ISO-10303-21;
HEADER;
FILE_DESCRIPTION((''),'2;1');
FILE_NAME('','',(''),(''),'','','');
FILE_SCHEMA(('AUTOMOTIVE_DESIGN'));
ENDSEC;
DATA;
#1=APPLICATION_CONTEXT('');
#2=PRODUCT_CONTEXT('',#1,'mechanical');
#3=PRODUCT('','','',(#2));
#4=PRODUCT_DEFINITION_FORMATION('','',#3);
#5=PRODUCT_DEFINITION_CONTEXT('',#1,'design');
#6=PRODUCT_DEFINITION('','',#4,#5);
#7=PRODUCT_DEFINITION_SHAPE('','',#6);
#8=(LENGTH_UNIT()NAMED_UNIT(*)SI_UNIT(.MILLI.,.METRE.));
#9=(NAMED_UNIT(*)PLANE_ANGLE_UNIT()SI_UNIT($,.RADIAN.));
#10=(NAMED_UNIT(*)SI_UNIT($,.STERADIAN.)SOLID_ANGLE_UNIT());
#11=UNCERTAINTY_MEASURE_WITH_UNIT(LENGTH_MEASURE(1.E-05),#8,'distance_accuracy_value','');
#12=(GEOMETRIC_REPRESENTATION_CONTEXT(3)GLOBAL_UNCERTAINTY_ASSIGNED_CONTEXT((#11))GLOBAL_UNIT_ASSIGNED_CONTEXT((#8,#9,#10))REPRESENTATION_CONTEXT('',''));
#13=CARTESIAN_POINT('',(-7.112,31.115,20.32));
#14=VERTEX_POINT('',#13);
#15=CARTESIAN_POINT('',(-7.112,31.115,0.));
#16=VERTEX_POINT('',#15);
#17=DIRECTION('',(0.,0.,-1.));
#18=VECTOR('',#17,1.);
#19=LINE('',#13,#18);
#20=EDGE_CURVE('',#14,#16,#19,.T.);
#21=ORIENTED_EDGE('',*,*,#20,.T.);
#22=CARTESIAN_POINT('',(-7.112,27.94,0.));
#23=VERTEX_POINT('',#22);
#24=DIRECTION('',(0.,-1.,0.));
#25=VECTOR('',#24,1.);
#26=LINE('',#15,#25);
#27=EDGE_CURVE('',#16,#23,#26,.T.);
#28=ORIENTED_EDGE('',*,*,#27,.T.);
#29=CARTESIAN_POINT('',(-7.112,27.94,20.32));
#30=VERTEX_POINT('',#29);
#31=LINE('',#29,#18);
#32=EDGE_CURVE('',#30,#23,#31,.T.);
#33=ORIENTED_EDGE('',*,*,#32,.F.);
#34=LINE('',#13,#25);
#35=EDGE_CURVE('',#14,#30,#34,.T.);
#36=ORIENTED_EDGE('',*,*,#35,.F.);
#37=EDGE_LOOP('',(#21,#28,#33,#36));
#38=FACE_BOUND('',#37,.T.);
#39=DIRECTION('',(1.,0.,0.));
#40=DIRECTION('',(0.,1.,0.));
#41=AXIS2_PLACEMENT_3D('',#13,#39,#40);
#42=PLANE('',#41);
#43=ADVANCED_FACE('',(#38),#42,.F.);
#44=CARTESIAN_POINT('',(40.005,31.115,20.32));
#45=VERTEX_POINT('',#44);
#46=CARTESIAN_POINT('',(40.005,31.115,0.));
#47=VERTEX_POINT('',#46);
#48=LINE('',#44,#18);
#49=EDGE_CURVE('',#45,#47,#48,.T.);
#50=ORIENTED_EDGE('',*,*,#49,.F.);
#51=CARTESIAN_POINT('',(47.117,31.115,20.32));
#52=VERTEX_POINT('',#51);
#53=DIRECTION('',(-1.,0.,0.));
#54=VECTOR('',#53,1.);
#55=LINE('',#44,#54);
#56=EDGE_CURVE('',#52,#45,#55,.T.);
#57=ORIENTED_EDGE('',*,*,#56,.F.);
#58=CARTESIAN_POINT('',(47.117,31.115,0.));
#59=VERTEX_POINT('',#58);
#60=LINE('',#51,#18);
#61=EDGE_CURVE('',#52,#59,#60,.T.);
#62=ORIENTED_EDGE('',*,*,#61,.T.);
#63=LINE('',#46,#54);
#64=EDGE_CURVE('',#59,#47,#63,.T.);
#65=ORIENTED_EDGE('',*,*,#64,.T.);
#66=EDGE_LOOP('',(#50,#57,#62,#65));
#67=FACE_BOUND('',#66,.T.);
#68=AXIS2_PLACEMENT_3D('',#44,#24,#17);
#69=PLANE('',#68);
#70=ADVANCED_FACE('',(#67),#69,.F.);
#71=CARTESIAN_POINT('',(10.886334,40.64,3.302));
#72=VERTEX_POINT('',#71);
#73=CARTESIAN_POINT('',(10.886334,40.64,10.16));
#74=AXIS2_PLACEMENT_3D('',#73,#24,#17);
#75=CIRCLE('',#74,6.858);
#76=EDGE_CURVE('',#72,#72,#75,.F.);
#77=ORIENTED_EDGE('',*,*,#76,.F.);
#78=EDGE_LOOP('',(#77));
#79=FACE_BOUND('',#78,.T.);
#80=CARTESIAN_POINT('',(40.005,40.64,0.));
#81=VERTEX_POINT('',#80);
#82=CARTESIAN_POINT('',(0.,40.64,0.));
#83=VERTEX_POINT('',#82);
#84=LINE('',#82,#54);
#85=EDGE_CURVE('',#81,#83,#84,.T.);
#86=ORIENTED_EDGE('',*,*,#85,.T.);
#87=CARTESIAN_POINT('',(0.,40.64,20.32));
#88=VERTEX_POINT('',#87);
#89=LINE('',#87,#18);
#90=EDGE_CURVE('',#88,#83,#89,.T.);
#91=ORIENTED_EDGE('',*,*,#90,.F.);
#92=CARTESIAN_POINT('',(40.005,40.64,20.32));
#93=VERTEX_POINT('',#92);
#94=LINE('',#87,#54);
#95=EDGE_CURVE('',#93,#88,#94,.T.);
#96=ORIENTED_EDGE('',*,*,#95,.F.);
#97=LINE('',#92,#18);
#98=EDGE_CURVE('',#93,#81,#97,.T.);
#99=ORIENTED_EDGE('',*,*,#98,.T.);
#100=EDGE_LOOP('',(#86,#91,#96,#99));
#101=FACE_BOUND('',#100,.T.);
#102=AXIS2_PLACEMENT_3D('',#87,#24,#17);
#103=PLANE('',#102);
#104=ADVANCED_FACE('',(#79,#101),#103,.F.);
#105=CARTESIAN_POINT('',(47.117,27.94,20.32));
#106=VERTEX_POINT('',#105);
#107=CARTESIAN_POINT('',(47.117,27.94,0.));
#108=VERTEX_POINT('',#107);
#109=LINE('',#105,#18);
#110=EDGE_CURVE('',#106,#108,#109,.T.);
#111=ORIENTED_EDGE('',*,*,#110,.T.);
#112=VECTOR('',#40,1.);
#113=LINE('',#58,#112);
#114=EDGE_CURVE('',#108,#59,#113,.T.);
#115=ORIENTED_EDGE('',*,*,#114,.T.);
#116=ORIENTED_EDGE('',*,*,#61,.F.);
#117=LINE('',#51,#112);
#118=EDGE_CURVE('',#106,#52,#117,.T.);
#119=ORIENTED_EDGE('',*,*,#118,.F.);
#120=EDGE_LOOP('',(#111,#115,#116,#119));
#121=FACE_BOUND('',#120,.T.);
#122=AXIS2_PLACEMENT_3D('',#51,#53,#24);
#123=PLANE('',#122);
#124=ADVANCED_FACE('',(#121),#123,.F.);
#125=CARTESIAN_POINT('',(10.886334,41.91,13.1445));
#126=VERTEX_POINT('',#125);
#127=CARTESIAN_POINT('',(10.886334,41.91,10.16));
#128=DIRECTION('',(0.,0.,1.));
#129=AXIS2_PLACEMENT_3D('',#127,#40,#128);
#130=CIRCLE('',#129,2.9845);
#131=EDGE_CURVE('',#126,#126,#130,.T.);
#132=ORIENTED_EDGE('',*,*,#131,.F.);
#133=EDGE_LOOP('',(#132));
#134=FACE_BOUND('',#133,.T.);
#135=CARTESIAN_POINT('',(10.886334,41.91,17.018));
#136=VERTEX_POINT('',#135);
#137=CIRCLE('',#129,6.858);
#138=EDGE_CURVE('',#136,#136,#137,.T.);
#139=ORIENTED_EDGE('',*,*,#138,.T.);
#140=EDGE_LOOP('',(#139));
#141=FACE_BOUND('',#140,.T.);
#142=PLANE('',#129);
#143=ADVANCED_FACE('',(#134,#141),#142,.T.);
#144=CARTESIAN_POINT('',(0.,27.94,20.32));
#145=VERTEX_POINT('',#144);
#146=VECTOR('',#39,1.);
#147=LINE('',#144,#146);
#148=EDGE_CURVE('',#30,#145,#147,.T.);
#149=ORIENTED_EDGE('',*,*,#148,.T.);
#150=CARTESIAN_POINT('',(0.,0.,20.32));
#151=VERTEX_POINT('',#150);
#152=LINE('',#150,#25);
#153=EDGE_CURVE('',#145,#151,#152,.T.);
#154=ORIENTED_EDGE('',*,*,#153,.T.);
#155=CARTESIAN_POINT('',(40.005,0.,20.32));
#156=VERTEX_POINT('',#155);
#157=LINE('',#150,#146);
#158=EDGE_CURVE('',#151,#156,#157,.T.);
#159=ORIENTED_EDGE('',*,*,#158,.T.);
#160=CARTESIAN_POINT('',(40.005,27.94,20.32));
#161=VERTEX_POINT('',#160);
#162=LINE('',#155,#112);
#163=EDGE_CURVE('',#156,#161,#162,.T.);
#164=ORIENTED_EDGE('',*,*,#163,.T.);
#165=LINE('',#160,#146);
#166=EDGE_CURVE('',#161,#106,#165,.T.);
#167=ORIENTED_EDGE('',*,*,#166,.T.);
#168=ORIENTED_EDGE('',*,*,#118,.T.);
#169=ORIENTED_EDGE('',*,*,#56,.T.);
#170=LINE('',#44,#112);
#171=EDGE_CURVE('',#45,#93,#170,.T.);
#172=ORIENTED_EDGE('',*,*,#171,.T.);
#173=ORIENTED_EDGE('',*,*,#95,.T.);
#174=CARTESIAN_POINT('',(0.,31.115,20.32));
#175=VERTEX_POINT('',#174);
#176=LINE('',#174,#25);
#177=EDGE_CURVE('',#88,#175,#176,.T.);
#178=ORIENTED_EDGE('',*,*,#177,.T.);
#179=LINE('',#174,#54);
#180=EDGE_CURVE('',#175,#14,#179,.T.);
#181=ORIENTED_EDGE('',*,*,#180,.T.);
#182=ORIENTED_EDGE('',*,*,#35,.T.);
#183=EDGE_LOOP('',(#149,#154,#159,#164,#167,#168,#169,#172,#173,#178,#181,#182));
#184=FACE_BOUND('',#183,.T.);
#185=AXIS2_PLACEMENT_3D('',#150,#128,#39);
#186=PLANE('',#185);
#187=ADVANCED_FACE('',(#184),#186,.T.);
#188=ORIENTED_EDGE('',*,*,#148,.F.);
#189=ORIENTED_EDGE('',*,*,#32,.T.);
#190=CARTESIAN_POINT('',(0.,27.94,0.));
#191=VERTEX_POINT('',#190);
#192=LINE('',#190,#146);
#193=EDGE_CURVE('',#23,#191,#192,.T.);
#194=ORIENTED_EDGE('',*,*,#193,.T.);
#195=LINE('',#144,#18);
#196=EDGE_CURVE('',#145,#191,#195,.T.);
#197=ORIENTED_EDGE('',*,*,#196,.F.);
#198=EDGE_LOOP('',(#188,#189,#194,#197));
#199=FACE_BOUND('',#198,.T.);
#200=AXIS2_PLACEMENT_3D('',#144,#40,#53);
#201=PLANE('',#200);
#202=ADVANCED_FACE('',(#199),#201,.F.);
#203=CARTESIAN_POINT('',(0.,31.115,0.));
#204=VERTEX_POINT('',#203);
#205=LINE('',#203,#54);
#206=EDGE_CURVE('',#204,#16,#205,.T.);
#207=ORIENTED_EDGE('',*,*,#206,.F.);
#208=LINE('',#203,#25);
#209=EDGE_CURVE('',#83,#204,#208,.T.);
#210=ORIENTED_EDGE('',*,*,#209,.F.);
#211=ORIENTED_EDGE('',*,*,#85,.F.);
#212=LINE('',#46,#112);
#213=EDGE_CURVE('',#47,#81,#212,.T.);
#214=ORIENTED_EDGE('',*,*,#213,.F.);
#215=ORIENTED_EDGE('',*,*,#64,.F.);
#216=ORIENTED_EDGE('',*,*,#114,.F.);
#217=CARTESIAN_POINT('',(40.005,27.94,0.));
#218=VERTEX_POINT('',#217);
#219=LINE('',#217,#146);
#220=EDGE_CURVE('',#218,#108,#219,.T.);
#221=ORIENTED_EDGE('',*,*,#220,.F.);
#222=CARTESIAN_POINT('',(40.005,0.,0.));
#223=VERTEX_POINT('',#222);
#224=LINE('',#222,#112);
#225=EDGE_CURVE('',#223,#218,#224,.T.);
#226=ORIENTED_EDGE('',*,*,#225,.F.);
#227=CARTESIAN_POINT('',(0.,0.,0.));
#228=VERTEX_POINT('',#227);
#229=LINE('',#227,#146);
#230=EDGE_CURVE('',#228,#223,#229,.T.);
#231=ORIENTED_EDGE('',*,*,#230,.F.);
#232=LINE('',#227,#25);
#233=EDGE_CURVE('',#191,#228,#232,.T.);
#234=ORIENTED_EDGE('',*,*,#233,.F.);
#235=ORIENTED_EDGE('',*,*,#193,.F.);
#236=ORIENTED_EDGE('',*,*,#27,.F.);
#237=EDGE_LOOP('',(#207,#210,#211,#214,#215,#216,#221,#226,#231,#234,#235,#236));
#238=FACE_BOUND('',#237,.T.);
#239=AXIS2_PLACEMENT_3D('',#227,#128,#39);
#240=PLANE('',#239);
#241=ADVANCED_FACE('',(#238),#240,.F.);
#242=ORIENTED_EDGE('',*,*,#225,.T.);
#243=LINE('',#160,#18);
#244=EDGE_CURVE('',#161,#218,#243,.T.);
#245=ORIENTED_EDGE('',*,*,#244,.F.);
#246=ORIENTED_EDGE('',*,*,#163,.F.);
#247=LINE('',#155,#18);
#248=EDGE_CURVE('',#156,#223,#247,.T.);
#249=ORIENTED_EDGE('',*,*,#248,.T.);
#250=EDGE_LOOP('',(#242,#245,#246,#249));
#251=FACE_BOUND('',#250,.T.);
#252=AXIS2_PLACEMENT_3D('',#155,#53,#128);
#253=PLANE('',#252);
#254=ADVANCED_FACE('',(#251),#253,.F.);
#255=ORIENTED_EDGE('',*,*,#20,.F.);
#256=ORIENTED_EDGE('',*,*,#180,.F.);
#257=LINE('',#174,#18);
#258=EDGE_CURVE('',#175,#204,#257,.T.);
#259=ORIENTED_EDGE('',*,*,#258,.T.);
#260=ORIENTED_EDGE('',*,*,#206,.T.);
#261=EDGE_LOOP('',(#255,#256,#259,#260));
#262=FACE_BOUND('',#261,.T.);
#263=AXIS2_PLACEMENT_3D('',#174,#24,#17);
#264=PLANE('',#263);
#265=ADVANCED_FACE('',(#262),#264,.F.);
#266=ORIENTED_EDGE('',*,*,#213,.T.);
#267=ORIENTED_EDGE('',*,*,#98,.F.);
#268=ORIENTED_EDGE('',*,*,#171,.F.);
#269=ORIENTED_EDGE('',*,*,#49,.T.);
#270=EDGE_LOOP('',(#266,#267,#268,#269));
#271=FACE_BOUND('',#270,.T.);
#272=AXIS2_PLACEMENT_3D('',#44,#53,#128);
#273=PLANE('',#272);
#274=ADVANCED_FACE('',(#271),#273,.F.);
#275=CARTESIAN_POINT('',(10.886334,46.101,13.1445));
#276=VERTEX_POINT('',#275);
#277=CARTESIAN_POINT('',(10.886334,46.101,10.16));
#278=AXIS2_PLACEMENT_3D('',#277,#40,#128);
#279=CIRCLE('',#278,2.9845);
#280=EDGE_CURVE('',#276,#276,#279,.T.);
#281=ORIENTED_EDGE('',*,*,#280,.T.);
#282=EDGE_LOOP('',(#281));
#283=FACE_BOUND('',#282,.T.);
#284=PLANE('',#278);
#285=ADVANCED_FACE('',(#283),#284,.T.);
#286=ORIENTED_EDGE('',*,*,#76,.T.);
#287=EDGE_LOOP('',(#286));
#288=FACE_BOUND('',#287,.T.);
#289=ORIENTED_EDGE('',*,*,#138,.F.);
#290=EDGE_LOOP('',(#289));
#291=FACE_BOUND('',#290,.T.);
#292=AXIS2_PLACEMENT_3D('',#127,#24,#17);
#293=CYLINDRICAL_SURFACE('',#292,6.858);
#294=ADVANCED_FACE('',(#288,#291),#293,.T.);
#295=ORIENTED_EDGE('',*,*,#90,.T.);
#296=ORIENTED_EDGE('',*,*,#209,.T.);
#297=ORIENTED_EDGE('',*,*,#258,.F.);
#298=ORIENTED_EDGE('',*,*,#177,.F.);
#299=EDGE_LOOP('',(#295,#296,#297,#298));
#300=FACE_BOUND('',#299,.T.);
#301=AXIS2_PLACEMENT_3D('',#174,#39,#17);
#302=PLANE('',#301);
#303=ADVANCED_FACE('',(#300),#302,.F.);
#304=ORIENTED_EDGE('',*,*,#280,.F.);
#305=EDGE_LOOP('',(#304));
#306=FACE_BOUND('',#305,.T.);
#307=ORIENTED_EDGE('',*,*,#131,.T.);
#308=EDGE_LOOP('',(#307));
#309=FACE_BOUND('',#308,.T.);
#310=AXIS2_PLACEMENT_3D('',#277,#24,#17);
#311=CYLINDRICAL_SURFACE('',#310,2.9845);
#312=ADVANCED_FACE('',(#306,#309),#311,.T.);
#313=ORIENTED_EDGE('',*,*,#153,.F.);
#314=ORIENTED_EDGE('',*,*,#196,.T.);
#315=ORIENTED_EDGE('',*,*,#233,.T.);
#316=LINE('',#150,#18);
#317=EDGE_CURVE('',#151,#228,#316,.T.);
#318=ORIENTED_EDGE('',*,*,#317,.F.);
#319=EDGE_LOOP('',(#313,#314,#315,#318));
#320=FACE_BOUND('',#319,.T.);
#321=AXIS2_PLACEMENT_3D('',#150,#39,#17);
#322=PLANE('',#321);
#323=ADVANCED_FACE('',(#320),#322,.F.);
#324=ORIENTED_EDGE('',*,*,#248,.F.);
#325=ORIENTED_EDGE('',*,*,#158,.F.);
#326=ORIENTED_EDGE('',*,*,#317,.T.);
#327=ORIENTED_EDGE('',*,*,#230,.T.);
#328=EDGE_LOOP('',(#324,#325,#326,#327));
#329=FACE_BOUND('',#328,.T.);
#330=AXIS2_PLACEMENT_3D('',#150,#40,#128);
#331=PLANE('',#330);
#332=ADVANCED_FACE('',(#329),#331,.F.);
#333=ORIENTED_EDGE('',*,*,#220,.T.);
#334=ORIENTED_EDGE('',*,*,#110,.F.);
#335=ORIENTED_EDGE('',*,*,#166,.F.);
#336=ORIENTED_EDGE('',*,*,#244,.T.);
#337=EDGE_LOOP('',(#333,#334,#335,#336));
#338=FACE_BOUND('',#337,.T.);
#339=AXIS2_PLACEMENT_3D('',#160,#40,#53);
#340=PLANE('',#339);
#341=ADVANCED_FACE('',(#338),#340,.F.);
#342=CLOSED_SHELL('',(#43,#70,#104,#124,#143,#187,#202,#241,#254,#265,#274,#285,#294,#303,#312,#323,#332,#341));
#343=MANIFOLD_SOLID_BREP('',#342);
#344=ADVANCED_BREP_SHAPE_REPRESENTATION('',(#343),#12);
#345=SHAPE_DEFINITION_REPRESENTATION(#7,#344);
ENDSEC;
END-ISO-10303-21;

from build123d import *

# Parameters (mm, degrees)
BOSS_EXTRUDE1_DEPTH = 20.32
SKETCH2_R           = 6.858
BOSS_EXTRUDE2_DEPTH = 1.27
SKETCH3_R           = 2.9845
BOSS_EXTRUDE3_DEPTH = 4.191


with BuildPart() as part:
    # Sketch1 → Boss-Extrude1 (new body)
    with BuildSketch(Plane.XY):
        Polygon((0, 0), (40.005, 0), (40.005, 27.94), (47.117, 27.94), (47.117, 31.115), (40.005, 31.115), (40.005, 40.64), (0, 40.64), (0, 31.115), (-7.112, 31.115), (-7.112, 27.94), (0, 27.94), align=None)
    extrude(amount=BOSS_EXTRUDE1_DEPTH)

    # Sketch2 → Boss-Extrude2 (add)
    with BuildSketch(Plane(origin=(0, 40.64, 0), x_dir=(1, 0, 0), z_dir=(0, 1, 0))):
        with Locations((10.886333584, -10.16)):
            Circle(SKETCH2_R)
    extrude(amount=BOSS_EXTRUDE2_DEPTH)

    # Sketch3 → Boss-Extrude3 (add)
    with BuildSketch(Plane(origin=(0, 41.91, 0), x_dir=(1, 0, 0), z_dir=(0, 1, 0))):
        with Locations((10.886333584, -10.16)):
            Circle(SKETCH3_R)
    extrude(amount=BOSS_EXTRUDE3_DEPTH)


solid = part.part
